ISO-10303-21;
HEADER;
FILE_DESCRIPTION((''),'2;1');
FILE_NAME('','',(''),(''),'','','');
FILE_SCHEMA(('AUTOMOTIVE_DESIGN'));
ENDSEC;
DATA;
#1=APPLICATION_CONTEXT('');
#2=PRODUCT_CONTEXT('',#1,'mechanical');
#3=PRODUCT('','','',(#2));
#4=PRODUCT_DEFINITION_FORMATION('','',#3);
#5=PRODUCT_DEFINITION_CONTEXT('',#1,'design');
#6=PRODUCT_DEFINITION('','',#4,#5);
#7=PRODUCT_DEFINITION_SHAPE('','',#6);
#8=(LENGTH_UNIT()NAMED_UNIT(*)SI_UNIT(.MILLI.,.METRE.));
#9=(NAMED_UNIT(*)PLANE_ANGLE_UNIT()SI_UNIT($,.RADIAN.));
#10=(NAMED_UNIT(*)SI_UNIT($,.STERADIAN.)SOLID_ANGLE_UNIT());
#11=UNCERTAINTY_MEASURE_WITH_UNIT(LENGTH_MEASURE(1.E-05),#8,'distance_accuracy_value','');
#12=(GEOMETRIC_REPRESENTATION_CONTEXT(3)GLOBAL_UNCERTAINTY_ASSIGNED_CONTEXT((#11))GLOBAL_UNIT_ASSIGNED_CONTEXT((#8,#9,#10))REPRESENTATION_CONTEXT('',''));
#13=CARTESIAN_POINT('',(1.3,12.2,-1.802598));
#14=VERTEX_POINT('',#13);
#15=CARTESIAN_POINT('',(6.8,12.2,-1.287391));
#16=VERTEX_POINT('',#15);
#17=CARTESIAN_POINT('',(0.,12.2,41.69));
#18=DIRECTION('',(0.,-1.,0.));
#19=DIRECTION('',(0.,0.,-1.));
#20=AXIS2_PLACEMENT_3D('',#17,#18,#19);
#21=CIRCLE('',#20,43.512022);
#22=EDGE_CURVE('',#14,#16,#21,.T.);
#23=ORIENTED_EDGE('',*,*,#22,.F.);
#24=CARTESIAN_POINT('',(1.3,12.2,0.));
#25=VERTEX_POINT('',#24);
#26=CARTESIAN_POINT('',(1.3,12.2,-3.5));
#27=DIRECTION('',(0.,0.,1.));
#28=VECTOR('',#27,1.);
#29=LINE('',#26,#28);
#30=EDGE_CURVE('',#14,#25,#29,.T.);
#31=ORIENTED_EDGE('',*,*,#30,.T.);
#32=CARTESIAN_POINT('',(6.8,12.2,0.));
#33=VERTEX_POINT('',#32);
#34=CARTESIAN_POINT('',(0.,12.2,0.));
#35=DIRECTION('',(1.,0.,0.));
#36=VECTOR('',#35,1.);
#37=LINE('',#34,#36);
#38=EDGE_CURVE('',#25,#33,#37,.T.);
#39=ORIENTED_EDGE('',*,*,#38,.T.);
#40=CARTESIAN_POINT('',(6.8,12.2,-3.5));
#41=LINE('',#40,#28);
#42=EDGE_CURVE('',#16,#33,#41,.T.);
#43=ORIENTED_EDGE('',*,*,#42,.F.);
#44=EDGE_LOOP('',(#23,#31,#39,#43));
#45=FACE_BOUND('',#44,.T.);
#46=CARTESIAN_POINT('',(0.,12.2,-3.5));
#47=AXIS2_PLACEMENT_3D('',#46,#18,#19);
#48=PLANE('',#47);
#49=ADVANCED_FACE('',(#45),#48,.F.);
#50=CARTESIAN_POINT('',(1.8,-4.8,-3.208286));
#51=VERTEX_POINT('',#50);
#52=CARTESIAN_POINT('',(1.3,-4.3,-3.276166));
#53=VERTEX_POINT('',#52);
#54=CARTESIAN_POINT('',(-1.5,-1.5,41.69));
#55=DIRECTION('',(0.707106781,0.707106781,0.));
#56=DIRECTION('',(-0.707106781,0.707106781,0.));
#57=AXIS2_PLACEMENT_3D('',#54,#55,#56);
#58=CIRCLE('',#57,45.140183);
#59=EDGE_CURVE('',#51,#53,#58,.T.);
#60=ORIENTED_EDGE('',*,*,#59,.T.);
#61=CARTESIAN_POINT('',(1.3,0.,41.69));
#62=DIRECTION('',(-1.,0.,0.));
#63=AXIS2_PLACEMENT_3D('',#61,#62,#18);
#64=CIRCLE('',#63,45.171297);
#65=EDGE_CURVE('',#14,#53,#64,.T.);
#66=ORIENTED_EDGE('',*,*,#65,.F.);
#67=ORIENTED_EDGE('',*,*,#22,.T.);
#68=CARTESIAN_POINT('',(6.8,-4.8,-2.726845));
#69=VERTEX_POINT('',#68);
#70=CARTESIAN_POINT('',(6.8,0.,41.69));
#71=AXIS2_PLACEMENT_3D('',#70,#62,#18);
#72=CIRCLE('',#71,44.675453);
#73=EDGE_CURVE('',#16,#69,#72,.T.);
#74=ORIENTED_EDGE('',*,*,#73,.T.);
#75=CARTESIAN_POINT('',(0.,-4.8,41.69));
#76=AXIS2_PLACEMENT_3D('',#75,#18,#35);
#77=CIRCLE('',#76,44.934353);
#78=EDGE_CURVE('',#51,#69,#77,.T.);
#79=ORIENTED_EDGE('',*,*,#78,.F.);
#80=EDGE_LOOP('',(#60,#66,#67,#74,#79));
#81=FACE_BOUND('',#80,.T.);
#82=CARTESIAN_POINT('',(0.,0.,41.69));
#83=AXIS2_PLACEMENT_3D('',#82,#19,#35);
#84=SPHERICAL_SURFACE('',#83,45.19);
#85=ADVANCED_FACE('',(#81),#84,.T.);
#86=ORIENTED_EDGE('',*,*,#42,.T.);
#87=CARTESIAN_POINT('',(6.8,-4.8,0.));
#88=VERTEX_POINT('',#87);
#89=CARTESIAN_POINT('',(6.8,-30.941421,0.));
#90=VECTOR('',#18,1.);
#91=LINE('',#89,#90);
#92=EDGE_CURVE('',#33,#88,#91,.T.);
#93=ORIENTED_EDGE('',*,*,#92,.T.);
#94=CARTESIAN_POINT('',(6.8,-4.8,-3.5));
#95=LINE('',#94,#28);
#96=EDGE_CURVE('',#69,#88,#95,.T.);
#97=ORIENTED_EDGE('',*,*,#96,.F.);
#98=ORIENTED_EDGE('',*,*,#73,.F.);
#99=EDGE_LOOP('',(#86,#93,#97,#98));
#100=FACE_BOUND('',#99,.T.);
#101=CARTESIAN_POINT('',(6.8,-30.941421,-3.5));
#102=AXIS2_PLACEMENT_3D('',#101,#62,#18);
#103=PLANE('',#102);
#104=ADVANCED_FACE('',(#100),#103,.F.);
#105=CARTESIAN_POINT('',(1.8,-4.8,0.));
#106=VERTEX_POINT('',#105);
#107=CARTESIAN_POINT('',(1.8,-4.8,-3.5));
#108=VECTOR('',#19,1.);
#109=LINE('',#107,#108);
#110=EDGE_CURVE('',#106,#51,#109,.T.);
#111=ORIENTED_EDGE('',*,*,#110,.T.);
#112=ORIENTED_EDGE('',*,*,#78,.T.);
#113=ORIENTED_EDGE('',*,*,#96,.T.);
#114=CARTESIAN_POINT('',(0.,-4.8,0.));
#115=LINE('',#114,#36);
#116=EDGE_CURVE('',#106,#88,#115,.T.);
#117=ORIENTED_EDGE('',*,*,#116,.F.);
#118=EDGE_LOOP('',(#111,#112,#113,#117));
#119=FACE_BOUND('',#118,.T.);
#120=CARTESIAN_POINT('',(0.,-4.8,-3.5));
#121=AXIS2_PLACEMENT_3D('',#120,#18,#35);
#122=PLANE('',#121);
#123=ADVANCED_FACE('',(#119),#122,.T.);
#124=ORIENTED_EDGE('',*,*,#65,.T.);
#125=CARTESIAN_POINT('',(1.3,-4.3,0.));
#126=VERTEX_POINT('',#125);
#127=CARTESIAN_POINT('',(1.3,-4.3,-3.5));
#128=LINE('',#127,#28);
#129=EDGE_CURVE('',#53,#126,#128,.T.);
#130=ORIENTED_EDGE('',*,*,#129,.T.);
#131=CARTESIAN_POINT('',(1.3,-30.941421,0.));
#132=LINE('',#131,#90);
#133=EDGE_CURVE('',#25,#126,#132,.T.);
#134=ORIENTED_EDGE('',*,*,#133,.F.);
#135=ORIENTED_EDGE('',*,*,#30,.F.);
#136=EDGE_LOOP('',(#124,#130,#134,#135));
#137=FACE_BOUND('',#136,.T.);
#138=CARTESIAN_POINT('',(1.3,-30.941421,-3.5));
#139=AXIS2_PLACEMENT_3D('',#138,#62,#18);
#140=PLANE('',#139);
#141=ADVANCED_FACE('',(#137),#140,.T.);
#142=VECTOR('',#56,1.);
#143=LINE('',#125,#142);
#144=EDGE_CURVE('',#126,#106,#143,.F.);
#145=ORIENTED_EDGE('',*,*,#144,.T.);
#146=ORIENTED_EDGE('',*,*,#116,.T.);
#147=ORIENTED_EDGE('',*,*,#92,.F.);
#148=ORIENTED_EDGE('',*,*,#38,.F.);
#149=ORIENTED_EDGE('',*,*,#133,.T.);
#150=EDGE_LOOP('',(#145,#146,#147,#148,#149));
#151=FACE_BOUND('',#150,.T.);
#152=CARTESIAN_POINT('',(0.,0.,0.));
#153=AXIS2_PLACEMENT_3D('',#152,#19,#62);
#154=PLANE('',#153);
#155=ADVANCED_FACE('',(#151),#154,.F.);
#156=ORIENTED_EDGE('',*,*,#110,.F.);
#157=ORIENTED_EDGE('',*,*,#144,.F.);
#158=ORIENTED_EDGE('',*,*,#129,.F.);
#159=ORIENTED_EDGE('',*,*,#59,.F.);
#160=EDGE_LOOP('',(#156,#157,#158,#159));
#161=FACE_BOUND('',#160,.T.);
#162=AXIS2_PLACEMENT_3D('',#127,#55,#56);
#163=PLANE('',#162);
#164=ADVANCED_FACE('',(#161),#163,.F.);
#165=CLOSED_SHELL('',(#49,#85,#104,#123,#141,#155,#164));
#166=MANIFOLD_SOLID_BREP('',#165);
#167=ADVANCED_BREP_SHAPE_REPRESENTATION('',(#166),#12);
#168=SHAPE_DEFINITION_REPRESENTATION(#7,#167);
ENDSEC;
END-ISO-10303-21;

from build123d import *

# Parameters (mm, degrees)
SKETCH_2_OUTSIDE_W   = 37.95
SKETCH_2_OUTSIDE_H   = 37.95
SKETCH_2_OUTSIDE_W_2 = 5.5
SKETCH_2_OUTSIDE_H_2 = 17
CUT_EXTRUDE_1_DEPTH  = 4.5
CHAMFER_3_SIZE       = 0.5


with BuildPart() as part:
    # Эскиз1 → Повернуть1 (revolve)
    with BuildSketch(Plane(origin=(0, 0, 0), x_dir=(1, 0, 0), z_dir=(0, 1, 0))):
        with BuildLine():
            Line((14, 0), (14, 1.276685932))
            ThreePointArc((14, 1.276685932), (7.087720463, 2.940710488), (0, 3.5))
            Line((0, 3.5), (0, 0))
            Line((0, 0), (14, 0))
        make_face()
    revolve(axis=Axis((0, 0, -3.5), (0, 0, 1)))

    # Эскиз2 outside → Вырез-Вытянуть1 (cut, through all)
    with BuildSketch(Plane.XY):
        Rectangle(SKETCH_2_OUTSIDE_W, SKETCH_2_OUTSIDE_H)
        with Locations((4.05, 3.7)):
            Rectangle(SKETCH_2_OUTSIDE_W_2, SKETCH_2_OUTSIDE_H_2, mode=Mode.SUBTRACT)
    extrude(amount=-CUT_EXTRUDE_1_DEPTH, mode=Mode.SUBTRACT)

    # Фаска3
    chamfer_3_edges = [part.edges().sort_by_distance(p)[0] for p in [
        (1.3, -4.8, -1.61277204),
    ]]
    chamfer(chamfer_3_edges, length=CHAMFER_3_SIZE)


solid = part.part
